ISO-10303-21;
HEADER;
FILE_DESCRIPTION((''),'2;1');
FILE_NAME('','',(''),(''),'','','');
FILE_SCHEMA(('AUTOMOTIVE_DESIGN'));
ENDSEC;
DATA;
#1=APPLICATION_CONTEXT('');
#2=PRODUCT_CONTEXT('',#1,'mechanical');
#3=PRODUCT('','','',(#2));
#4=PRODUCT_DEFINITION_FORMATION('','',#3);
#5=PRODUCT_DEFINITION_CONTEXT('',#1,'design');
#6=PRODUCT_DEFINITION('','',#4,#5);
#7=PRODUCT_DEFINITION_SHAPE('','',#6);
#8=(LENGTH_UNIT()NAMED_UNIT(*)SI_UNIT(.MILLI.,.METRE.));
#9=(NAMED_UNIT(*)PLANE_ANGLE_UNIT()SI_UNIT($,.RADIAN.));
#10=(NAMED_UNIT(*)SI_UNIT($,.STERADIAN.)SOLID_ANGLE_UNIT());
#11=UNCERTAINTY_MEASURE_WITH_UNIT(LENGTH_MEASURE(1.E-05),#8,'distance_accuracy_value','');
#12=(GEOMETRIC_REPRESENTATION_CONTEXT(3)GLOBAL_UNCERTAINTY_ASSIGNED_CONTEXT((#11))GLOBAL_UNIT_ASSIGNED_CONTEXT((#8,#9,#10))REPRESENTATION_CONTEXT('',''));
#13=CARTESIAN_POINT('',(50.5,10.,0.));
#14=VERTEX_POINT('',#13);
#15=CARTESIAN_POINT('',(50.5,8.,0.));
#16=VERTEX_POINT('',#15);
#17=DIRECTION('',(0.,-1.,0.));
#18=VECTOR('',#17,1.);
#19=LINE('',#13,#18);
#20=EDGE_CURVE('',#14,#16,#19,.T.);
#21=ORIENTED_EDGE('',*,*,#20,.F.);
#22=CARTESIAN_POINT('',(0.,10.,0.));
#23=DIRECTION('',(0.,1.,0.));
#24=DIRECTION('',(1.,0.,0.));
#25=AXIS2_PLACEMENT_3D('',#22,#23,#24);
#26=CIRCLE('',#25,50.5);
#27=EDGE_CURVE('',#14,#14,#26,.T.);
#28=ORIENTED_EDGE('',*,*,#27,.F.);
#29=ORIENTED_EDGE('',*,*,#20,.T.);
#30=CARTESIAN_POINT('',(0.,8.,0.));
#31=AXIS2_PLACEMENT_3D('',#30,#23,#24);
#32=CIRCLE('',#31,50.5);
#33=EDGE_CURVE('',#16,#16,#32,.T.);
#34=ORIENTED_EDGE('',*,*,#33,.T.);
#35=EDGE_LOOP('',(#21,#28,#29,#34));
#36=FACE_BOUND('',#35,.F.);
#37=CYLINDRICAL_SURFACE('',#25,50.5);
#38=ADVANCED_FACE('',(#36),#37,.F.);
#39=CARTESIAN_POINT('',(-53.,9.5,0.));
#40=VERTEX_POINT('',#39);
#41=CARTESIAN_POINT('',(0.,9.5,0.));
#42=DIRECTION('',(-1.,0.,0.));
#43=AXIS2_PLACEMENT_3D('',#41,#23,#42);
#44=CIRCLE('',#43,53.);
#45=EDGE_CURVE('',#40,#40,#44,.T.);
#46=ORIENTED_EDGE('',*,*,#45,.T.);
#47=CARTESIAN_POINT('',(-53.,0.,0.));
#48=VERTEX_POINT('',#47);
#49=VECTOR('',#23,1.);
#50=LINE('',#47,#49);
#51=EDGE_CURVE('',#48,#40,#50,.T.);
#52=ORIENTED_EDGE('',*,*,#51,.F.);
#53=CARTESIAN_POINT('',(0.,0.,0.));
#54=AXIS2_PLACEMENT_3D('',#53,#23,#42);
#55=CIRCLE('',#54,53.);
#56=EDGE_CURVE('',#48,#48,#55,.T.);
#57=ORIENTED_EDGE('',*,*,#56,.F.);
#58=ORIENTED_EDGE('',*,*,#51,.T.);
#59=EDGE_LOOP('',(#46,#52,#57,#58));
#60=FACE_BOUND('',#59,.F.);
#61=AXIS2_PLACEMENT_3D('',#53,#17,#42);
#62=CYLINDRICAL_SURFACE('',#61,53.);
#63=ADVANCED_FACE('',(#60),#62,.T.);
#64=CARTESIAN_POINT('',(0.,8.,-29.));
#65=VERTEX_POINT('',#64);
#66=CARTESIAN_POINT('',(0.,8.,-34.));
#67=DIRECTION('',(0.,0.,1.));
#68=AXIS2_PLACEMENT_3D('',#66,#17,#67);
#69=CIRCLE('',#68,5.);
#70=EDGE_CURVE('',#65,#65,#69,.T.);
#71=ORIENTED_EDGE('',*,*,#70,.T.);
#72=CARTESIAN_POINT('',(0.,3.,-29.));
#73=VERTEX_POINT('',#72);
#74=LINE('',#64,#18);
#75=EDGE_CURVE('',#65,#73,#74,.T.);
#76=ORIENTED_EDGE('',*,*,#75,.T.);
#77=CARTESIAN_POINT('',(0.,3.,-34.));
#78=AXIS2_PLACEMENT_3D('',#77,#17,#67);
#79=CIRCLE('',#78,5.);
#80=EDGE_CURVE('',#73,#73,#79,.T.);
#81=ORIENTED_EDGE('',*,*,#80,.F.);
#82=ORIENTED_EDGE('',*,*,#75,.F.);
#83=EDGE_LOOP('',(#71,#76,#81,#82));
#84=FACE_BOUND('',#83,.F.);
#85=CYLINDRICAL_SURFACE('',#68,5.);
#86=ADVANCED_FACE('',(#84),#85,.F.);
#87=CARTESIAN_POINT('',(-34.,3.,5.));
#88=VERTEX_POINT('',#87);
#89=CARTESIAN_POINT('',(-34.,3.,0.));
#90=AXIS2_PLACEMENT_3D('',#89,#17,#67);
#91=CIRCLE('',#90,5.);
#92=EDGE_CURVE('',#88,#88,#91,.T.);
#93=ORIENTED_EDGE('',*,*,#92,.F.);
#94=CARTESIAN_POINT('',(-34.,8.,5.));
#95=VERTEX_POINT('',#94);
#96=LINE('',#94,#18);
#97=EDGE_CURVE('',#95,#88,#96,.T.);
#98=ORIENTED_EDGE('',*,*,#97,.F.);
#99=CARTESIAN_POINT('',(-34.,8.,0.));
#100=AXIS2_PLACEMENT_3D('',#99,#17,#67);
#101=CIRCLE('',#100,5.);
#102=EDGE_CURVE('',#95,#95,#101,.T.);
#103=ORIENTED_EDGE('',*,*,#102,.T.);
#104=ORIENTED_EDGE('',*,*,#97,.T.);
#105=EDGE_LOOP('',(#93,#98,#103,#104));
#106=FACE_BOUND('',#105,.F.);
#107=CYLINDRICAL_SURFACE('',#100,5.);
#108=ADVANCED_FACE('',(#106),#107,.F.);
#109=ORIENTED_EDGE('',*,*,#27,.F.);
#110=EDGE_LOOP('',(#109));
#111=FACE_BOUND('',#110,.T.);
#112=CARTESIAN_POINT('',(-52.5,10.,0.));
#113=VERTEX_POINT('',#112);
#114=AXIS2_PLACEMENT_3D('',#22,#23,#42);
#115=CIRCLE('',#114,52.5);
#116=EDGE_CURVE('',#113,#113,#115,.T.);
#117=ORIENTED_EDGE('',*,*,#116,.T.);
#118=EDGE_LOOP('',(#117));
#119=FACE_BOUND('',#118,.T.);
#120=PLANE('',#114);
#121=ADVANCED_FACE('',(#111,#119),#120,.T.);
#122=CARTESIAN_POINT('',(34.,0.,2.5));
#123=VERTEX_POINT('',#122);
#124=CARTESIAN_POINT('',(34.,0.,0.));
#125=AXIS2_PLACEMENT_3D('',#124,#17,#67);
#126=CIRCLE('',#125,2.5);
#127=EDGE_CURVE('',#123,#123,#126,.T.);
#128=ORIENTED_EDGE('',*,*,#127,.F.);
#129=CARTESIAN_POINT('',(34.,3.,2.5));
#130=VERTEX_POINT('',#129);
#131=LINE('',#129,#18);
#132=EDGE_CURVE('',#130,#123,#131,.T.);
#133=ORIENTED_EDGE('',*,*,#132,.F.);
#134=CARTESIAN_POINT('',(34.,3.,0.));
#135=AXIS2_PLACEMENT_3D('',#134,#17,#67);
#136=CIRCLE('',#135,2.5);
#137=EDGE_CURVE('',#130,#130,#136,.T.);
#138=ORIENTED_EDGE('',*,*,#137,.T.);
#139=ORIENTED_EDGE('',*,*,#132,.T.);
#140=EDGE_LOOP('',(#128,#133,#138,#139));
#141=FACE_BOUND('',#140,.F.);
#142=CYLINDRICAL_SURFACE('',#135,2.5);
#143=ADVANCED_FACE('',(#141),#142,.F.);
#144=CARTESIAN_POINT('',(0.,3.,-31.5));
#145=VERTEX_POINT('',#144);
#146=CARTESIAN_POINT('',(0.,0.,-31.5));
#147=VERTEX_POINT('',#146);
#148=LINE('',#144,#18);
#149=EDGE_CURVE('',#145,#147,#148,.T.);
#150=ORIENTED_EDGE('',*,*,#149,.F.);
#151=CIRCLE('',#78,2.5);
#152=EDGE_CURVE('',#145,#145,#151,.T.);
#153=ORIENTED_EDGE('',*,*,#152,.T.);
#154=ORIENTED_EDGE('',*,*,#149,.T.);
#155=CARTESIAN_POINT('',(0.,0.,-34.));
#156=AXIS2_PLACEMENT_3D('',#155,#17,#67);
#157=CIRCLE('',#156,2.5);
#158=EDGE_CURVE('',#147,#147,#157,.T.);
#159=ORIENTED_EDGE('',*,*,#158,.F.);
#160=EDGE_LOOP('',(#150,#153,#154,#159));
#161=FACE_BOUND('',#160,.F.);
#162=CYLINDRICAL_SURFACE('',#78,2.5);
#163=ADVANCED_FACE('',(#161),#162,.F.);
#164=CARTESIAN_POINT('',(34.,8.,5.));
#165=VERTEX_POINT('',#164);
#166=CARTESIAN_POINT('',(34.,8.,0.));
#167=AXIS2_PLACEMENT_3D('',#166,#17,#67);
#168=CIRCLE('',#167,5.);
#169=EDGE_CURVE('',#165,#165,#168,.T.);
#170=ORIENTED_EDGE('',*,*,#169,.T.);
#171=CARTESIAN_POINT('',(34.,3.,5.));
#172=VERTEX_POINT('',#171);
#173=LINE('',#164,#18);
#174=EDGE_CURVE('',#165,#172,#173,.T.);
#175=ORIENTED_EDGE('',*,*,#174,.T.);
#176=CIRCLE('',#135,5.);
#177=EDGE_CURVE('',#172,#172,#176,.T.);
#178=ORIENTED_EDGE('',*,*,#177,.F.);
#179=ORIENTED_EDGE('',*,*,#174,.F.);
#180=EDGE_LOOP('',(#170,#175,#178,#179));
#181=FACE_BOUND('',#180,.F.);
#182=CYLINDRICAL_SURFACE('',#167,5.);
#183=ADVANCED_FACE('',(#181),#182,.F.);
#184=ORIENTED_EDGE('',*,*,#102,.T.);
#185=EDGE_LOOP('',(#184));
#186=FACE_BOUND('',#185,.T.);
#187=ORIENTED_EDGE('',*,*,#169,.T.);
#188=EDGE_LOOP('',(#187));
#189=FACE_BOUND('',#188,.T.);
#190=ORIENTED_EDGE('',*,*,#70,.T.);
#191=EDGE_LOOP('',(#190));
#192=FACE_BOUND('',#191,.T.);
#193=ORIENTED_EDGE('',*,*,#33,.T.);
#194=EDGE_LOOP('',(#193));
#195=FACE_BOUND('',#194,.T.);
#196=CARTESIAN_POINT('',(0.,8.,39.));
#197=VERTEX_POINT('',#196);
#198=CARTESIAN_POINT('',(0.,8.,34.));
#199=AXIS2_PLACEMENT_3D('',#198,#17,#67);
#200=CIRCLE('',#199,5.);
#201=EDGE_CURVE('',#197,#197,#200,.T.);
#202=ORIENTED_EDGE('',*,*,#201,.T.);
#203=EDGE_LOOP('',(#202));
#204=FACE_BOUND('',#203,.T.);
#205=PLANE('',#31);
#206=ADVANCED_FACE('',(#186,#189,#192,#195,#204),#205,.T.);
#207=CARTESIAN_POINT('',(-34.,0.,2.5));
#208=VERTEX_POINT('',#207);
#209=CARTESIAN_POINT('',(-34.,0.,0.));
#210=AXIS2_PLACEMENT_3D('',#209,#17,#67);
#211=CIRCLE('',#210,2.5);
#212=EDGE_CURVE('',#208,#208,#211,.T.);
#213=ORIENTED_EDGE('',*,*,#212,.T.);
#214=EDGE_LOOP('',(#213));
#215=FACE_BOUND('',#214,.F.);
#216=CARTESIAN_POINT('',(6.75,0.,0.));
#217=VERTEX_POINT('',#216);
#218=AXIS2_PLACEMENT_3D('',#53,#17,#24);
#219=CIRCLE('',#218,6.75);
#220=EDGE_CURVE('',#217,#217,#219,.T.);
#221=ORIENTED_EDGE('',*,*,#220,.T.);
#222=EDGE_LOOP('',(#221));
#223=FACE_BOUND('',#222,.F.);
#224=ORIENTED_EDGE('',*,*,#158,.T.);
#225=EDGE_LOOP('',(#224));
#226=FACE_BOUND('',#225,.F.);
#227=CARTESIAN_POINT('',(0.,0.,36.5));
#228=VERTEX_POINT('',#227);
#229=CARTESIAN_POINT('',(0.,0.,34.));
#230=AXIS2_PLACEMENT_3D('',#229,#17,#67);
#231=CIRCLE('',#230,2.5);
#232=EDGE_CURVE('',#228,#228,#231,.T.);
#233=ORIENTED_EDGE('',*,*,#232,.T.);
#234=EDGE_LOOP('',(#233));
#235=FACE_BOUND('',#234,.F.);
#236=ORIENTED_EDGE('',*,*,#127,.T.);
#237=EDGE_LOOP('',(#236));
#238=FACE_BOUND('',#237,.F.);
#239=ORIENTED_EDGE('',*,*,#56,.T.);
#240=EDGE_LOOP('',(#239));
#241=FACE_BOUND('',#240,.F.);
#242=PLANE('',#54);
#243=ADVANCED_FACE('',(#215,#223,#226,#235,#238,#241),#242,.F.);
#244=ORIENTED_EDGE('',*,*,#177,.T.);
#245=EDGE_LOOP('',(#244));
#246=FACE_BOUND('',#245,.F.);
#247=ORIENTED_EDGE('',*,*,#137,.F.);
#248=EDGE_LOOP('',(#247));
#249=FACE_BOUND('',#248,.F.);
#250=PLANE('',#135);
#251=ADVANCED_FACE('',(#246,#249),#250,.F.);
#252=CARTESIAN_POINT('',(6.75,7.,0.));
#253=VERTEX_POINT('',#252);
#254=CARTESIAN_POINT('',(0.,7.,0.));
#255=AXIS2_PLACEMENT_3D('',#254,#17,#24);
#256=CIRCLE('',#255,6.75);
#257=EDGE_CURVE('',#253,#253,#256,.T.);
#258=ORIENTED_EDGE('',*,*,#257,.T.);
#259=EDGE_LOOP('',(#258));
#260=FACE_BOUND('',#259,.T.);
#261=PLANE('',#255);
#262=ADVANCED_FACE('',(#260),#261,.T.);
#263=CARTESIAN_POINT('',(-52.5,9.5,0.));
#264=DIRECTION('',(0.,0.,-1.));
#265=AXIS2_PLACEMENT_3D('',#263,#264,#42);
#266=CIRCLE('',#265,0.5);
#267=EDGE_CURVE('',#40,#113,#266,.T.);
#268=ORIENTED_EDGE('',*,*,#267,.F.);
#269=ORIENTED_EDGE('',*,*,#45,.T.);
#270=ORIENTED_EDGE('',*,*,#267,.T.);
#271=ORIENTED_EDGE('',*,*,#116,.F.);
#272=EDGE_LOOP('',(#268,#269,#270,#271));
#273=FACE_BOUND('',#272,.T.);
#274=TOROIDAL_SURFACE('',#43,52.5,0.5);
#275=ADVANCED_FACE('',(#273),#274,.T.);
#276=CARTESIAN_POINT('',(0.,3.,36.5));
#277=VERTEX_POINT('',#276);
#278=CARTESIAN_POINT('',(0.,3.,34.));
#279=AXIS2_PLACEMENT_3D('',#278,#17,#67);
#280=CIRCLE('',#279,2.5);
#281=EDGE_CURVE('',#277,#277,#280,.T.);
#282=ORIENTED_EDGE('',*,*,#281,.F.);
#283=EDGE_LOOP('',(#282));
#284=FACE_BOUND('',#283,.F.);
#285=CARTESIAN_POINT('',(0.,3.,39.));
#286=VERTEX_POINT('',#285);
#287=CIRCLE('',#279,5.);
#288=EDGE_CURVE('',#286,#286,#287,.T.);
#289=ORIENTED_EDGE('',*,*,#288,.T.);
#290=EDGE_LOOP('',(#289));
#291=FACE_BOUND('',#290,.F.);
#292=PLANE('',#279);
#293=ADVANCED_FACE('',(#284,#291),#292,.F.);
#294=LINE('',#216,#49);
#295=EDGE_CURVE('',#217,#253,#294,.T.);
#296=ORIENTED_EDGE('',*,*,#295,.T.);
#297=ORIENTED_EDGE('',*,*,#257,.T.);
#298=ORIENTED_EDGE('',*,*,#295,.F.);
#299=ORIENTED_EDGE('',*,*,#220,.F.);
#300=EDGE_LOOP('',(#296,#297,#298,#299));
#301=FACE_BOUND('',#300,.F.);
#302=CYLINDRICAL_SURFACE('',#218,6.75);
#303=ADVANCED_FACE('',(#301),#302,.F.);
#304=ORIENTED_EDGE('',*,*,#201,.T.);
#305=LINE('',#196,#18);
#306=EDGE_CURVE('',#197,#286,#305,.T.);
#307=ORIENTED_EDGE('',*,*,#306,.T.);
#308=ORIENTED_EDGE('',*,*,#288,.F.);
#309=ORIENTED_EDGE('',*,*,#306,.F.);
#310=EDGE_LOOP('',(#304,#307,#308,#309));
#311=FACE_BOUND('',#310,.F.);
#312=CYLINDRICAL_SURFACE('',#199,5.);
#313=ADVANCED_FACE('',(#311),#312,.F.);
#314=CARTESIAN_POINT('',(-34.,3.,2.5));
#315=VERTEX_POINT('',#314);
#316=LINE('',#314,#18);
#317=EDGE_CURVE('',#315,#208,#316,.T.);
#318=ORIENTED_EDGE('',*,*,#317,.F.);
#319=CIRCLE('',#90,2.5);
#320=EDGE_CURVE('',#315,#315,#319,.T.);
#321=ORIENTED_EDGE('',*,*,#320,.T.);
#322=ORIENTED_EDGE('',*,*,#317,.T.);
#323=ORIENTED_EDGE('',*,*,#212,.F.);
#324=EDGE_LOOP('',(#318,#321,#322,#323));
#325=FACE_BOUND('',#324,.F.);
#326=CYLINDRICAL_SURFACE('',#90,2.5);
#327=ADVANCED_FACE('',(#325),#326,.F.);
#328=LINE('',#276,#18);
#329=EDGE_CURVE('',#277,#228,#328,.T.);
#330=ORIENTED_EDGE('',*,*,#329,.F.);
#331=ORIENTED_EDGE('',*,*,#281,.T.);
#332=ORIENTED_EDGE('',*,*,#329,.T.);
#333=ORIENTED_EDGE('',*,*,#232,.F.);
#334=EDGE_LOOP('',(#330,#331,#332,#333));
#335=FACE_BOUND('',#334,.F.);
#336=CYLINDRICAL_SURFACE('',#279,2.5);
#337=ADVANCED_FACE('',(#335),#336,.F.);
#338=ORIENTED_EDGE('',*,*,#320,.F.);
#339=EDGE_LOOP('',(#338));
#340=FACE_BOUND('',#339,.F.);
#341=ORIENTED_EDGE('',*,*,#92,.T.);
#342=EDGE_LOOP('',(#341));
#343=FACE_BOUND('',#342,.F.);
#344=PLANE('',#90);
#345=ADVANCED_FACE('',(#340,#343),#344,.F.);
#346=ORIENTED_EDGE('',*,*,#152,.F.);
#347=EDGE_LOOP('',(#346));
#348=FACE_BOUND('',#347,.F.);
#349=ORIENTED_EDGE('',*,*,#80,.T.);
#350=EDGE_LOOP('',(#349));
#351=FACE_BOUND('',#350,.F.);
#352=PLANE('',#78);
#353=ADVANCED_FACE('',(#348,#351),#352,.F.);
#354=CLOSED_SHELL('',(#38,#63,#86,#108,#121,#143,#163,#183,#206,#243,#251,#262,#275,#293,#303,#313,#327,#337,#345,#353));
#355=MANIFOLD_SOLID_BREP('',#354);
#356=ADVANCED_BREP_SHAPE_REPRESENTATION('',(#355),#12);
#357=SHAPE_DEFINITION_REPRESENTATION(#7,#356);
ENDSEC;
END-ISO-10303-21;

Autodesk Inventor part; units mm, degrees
ref_plane "YZ Plane" through (0, 0, 0) normal (1, 0, 0) x (0, 1, 0)
ref_plane "XZ Plane" through (0, 0, 0) normal (0, 1, 0) x (-1, 0, 0)
ref_plane "XY Plane" through (0, 0, 0) normal (0, 0, 1) x (1, 0, 0)
sketch "スケッチ1" plane through (0, 0, 0) normal (0, 1, 0) x (-1, 0, 0)
  circle A0 centre (0, 0) radius 53
  dimension "d0" = 106
extrude "押し出し1" add sketch "スケッチ1" along normal blind 10
sketch "スケッチ2" plane through (0, 10, 0) normal (0, 1, 0) x (1, 0, 0)
  circle A0 centre (0, 0) radius 50.5
  dimension "d3" = 101
extrude "押し出し2" cut sketch "スケッチ2" against normal blind 2
sketch "スケッチ3" plane through (0, 8, 0) normal (0, 1, 0) x (1, 0, 0)
  point P0 (0, 0)
  point P1 (34, 0)
  point P2 (0, 34)
  point P3 (-34, 0)
  point P4 (0, -34)
  dimension "d6" = 34
  dimension "d9" = 360
hole "穴2" at (-34, 8, 0) at (0, 8, -34) at (34, 8, 0) at (0, 8, 34) direction (0, -1, 0) diameter 5 end through all counterbore diameter 10 counterbore depth 5
fillet "フィレット1" radius 0.5 1 edges at (53, 10, 0)
sketch "スケッチ4" plane through (0, 0, 0) normal (0, -1, 0) x (1, 0, 0)
  circle A0 centre (0, 0) radius 6.75
  dimension "d26" = 13.5
extrude "押し出し3" cut sketch "スケッチ4" against normal blind 7
properties part number "GNSS_mount"
